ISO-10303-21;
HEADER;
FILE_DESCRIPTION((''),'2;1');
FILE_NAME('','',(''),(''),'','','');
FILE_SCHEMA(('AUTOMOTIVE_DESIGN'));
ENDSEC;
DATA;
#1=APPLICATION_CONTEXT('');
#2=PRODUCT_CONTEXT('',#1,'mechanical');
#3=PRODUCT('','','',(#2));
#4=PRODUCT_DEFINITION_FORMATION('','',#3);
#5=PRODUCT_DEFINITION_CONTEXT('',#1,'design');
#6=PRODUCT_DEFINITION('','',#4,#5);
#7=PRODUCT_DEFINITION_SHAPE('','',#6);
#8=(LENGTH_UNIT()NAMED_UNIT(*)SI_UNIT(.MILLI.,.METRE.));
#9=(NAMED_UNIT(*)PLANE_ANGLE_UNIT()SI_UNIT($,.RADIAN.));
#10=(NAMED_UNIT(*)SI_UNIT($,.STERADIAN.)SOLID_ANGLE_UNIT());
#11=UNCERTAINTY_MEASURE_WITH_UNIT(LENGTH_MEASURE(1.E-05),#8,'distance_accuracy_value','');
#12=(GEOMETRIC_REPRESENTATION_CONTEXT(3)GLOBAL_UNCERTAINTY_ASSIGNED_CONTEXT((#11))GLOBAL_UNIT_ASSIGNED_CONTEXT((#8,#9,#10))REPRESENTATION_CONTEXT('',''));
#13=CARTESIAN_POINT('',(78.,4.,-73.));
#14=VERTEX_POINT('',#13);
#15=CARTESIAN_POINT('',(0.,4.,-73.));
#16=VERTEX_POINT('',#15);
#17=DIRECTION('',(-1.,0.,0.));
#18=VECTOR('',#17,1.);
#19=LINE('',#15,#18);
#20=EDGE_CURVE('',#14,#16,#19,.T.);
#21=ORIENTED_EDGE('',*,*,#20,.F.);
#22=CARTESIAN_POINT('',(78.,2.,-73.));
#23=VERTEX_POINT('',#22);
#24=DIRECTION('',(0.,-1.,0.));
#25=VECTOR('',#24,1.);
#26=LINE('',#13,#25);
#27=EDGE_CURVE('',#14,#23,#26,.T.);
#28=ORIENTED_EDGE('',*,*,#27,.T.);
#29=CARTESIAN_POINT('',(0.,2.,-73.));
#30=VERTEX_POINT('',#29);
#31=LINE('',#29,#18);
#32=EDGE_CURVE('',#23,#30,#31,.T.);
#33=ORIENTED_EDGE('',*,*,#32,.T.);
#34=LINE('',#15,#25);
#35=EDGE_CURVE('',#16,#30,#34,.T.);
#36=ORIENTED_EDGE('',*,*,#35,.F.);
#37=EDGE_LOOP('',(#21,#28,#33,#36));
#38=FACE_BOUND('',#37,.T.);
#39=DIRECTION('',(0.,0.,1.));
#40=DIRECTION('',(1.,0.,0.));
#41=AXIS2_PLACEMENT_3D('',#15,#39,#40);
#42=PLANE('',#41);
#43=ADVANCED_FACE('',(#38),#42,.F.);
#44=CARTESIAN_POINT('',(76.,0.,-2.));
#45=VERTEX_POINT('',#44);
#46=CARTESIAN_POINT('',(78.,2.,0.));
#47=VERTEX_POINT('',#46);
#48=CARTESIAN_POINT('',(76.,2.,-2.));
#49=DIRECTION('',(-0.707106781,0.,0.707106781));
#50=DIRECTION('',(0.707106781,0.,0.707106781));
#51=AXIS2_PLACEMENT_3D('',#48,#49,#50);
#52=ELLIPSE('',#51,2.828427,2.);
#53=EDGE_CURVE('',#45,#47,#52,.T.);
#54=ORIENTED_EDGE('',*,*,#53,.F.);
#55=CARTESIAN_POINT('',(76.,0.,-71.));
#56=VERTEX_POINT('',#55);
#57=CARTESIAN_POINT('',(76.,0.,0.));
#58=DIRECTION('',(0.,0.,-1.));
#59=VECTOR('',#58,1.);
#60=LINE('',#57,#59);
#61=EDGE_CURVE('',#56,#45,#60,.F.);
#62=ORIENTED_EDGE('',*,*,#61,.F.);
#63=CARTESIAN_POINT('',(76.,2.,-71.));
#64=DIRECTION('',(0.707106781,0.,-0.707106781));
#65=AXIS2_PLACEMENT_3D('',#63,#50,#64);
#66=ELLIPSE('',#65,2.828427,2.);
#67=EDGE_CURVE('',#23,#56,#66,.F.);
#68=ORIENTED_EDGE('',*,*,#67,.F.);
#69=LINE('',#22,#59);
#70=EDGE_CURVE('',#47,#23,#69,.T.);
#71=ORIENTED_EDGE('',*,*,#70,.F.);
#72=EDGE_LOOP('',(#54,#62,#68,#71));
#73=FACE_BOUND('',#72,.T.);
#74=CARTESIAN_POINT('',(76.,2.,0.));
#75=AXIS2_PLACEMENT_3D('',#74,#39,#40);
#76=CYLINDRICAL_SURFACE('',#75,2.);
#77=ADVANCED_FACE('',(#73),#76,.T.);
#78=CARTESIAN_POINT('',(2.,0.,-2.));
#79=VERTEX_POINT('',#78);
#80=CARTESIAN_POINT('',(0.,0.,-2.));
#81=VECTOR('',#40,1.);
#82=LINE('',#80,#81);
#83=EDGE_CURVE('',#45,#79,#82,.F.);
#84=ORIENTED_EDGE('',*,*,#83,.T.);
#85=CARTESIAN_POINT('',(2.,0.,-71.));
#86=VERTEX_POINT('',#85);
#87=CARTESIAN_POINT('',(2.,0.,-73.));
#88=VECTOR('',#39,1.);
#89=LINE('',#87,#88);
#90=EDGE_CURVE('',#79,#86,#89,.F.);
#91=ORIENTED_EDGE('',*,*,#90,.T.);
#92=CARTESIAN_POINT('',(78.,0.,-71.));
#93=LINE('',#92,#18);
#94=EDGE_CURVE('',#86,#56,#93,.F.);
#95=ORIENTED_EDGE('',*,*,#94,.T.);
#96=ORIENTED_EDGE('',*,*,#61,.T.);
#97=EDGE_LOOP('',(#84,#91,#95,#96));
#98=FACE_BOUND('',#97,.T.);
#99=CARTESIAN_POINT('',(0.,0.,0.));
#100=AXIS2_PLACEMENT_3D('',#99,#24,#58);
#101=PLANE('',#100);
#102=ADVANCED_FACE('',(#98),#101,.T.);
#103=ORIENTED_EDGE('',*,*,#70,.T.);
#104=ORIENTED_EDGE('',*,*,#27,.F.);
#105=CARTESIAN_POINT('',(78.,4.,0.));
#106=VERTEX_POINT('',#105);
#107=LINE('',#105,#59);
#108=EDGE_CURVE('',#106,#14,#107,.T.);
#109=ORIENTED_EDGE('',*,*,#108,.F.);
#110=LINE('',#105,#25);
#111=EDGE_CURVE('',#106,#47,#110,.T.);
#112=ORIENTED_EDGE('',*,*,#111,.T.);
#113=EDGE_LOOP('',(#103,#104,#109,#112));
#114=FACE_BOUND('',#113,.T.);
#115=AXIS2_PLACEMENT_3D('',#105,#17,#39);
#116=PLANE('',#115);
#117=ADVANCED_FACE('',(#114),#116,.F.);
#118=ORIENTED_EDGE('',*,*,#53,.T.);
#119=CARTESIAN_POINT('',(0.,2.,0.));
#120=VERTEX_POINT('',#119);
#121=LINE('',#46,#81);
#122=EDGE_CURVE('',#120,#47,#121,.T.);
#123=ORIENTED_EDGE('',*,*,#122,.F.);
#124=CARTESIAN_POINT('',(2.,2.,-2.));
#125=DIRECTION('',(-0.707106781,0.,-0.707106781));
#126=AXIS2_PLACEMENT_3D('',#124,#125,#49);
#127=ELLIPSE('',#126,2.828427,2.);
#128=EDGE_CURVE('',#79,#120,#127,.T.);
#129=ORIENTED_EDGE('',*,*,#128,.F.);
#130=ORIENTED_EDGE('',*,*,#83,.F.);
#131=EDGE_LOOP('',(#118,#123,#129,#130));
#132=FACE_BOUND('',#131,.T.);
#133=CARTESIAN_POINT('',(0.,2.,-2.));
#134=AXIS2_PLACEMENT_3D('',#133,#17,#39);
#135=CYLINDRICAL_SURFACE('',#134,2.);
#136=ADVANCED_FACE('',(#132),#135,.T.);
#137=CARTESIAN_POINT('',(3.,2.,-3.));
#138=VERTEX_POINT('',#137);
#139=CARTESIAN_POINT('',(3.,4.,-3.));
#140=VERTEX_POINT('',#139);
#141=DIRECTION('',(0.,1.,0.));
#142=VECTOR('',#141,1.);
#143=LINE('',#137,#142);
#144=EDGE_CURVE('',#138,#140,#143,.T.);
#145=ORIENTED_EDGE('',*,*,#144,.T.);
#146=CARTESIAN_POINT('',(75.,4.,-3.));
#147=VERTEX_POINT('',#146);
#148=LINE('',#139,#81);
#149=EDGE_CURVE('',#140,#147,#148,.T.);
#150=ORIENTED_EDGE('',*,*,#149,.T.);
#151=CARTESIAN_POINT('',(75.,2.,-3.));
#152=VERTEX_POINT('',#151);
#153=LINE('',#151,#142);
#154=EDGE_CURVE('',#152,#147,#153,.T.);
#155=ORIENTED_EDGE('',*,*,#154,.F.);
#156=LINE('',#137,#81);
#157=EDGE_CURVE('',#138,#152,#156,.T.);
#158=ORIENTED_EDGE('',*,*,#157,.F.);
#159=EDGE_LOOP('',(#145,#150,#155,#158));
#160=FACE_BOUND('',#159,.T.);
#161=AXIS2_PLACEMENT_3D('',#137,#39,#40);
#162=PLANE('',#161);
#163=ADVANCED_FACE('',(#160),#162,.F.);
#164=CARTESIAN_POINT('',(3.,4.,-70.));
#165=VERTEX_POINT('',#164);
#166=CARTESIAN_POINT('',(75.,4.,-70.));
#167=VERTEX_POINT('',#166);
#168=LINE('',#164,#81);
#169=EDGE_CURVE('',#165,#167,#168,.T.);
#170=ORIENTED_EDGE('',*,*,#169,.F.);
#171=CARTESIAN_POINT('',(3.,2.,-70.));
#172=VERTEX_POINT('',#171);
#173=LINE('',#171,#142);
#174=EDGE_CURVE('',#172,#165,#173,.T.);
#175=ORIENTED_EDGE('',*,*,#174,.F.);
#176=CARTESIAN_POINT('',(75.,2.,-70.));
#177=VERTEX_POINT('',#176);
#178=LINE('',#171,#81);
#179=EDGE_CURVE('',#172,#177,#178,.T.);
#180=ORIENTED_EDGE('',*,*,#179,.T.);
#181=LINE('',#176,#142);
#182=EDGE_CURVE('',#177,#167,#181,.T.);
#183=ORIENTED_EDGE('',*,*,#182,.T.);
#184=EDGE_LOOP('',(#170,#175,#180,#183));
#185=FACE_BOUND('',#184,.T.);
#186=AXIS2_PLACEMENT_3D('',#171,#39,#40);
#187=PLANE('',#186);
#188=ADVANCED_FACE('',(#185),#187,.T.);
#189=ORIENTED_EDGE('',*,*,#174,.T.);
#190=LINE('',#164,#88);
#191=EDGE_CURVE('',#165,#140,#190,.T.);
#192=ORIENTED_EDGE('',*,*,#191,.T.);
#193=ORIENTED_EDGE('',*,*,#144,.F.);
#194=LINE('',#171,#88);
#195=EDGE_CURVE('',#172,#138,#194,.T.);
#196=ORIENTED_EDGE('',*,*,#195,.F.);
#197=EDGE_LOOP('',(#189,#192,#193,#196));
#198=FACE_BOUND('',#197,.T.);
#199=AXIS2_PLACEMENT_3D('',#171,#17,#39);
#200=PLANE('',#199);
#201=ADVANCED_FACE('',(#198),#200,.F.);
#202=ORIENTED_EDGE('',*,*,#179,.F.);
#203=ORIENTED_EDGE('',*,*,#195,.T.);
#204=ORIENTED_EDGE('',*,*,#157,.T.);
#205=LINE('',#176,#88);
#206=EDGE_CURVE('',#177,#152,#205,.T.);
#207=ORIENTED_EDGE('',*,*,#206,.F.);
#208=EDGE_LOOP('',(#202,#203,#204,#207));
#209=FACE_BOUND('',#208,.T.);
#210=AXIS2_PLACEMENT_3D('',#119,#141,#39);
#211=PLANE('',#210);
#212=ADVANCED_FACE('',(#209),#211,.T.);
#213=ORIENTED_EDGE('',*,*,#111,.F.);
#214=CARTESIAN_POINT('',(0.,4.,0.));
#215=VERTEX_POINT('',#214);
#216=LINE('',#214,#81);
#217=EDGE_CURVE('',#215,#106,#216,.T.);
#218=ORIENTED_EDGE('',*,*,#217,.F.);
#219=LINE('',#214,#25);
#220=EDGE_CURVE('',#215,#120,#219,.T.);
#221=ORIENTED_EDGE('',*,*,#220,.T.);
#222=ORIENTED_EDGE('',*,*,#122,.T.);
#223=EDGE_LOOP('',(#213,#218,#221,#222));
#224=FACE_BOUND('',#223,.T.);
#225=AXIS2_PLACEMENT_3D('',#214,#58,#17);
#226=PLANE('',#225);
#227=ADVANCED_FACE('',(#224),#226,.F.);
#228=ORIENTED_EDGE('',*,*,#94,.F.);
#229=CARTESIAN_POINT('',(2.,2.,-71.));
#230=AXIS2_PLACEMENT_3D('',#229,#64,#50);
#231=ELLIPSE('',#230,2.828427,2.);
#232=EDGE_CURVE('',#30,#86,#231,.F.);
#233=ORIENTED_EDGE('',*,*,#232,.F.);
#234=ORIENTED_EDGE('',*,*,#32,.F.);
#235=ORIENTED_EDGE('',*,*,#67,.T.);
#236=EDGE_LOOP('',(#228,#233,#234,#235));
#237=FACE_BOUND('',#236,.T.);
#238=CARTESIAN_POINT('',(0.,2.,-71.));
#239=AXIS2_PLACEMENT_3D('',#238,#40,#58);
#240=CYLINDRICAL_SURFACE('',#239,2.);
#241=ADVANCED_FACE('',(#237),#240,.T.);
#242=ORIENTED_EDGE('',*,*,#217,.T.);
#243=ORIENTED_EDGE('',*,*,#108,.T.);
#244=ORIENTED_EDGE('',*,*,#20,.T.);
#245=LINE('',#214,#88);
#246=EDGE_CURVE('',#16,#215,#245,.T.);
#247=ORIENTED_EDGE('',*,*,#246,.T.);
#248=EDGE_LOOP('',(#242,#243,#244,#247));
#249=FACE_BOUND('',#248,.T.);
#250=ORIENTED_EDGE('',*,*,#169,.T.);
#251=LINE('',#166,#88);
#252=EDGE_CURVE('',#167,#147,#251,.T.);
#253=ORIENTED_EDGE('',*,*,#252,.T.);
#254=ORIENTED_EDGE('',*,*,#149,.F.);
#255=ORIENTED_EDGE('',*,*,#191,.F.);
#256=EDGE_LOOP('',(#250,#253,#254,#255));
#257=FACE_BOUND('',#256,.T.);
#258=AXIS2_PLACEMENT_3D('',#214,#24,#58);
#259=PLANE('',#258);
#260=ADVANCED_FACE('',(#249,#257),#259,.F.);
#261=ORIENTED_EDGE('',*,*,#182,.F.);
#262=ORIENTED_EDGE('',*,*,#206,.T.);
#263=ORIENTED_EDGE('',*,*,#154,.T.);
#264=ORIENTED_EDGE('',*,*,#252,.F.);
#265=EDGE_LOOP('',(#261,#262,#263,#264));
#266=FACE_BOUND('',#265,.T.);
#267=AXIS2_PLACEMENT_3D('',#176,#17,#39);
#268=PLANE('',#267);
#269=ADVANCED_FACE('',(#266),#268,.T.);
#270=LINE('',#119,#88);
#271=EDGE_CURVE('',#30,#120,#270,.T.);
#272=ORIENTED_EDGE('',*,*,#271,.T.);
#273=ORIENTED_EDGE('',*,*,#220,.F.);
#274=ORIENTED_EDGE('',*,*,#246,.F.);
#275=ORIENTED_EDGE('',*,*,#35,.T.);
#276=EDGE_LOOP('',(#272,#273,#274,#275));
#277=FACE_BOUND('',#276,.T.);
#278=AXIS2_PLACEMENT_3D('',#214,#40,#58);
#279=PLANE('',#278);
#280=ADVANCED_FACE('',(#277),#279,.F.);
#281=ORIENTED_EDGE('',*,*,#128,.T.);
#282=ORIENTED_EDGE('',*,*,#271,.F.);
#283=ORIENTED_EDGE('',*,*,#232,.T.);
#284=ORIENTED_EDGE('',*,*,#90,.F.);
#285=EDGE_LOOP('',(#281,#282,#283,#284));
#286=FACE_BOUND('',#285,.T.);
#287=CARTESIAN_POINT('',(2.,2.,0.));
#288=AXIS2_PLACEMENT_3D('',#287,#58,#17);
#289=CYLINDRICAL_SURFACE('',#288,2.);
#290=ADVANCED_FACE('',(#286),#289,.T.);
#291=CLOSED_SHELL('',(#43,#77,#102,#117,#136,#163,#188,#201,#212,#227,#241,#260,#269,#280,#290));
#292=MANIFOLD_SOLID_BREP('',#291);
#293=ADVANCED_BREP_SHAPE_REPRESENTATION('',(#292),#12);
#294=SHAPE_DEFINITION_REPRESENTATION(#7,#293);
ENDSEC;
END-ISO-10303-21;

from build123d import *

# Parameters (mm, degrees)
SKETCH2_W           = 78
SKETCH2_H           = 73
BOSS_EXTRUDE1_DEPTH = 4
SKETCH3_W           = 72
SKETCH3_H           = 67
CUT_EXTRUDE1_DEPTH  = 2
FILLET1_R           = 2


with BuildPart() as part:
    # Sketch2 → Boss-Extrude1 (new body)
    with BuildSketch(Plane(origin=(0, 0, 0), x_dir=(1, 0, 0), z_dir=(0, 1, 0))):
        with Locations((39, 36.5)):
            Rectangle(SKETCH2_W, SKETCH2_H)
    extrude(amount=BOSS_EXTRUDE1_DEPTH)

    # Sketch3 → Cut-Extrude1 (cut)
    with BuildSketch(Plane(origin=(0, 4, 0), x_dir=(1, 0, 0), z_dir=(0, 1, 0))):
        with Locations((39, 36.5)):
            Rectangle(SKETCH3_W, SKETCH3_H)
    extrude(amount=-CUT_EXTRUDE1_DEPTH, mode=Mode.SUBTRACT)

    # Fillet1
    fillet1_edges = [part.edges().sort_by_distance(p)[0] for p in [
        (39, 0, -73),
        (78, 0, -36.5),
        (39, 0, 0),
        (0, 0, -36.5),
    ]]
    fillet(fillet1_edges, radius=FILLET1_R)


solid = part.part
